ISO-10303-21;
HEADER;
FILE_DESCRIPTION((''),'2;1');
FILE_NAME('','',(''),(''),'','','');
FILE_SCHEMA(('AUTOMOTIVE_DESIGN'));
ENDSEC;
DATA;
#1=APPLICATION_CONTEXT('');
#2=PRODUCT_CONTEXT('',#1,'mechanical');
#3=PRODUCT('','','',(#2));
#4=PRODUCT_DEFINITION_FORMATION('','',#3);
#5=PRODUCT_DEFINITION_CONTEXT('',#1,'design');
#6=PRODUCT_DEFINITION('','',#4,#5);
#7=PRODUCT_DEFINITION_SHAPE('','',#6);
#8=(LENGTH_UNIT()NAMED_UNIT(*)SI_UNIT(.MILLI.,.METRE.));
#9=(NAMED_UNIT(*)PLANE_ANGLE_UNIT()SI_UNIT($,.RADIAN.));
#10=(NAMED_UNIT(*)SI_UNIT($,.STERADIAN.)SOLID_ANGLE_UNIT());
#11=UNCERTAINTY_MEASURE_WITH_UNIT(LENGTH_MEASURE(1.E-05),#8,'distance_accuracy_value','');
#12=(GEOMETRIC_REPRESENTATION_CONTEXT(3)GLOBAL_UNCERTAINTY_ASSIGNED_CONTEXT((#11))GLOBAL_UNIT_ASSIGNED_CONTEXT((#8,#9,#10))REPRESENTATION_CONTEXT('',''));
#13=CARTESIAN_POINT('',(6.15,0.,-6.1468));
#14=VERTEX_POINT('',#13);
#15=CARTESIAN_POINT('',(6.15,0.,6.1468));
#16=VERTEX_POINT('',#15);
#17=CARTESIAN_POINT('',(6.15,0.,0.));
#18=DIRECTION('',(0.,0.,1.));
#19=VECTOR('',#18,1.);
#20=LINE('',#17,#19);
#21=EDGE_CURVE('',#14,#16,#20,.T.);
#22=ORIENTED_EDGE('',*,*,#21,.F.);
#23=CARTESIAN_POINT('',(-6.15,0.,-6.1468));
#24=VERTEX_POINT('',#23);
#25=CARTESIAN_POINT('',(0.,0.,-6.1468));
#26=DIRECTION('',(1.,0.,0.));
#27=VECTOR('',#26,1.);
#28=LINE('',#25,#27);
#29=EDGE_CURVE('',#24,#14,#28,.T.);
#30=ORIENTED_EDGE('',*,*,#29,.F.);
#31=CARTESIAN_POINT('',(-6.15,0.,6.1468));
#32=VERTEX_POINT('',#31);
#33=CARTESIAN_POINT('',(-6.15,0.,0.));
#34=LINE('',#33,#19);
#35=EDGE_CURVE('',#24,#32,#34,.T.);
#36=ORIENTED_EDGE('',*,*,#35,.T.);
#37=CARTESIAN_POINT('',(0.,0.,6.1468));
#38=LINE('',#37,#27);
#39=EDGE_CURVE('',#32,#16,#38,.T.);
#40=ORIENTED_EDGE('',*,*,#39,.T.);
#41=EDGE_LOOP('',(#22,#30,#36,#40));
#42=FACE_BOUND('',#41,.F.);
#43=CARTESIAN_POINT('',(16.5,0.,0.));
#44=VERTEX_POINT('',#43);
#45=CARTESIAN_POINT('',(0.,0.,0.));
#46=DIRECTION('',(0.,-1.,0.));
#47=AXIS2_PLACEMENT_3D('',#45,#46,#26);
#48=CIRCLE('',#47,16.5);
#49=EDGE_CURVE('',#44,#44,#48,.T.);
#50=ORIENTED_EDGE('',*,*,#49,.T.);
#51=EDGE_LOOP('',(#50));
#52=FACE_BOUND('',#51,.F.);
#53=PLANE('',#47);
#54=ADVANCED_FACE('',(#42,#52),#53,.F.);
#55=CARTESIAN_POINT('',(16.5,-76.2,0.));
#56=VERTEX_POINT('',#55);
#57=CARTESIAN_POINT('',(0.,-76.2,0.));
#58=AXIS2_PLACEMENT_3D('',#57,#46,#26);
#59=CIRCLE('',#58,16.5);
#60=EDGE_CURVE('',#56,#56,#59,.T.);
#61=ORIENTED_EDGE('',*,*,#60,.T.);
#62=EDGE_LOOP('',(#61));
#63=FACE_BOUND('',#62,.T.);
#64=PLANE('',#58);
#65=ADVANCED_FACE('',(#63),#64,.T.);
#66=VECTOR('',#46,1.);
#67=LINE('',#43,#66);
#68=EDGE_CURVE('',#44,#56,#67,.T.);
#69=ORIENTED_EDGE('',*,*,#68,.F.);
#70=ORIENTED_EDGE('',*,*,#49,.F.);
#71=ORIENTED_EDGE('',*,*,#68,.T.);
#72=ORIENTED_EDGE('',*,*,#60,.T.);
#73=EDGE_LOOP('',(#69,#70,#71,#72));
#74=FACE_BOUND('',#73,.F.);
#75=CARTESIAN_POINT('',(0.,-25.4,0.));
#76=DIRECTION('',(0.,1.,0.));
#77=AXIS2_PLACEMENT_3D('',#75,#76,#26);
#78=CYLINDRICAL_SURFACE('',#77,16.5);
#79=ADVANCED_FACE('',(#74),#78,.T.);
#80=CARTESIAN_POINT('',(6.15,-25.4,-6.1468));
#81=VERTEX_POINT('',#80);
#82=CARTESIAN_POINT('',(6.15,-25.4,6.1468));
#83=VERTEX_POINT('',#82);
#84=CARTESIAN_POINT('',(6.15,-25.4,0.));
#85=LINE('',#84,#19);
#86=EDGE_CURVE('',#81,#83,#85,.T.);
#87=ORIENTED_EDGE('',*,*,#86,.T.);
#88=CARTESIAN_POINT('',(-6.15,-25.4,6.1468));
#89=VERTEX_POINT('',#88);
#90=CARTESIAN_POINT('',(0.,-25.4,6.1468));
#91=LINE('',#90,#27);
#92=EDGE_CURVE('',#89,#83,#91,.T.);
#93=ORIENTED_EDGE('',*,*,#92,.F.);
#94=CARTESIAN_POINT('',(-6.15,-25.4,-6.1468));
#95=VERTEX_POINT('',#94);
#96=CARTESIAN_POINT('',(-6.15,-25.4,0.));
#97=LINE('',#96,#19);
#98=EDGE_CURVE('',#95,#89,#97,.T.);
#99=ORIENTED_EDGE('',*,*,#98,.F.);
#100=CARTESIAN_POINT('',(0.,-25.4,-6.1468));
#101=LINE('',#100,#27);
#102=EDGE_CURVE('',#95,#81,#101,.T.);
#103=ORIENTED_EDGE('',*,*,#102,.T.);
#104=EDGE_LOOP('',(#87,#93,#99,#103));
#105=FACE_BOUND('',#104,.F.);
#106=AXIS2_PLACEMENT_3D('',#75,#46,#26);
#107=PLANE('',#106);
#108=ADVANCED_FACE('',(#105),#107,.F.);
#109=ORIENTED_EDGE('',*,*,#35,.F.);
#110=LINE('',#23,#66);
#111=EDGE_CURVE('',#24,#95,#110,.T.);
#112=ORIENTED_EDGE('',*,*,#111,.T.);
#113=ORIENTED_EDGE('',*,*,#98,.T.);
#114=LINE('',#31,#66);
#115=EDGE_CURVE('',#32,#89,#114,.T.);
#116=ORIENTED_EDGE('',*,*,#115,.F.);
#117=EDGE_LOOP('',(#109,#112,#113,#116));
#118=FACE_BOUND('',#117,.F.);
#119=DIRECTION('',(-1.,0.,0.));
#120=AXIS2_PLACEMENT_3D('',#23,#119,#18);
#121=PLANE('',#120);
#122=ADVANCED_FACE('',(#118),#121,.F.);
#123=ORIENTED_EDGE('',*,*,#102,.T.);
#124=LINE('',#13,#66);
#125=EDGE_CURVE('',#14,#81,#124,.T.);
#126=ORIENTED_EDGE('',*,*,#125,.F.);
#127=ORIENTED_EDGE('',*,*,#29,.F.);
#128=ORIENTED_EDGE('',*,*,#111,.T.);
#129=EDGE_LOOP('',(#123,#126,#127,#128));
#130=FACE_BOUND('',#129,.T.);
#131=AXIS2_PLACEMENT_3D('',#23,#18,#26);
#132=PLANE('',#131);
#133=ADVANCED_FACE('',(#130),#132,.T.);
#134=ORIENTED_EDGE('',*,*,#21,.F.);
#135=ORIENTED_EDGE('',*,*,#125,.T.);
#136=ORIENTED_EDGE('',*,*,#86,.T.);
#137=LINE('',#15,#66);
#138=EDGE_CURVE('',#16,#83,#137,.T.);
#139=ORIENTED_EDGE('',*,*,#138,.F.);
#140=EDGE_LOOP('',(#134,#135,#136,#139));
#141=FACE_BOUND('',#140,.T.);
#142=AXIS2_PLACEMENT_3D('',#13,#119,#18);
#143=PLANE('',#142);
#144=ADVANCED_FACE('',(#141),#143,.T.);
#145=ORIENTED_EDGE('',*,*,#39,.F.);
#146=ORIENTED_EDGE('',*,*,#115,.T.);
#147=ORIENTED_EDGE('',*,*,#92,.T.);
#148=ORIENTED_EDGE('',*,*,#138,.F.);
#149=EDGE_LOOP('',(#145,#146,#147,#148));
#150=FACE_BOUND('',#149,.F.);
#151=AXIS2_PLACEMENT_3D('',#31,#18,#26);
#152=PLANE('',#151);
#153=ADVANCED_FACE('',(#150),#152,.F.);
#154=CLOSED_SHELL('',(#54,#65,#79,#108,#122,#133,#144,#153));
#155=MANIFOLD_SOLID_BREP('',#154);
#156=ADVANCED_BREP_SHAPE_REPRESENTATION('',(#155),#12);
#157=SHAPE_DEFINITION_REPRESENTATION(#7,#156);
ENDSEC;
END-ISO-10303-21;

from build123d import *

# Parameters (mm, degrees)
F0_R     = 16.5
F0_W     = 12.3
F0_H     = 12.2936
F1_DEPTH = 25.4
F2_R     = 16.5
F3_DEPTH = 50.8


with BuildPart() as f1:
    # F0 (on Front) → F1 (new body)
    with BuildSketch(Plane.XZ):
        Circle(F0_R)
        Rectangle(F0_W, F0_H, mode=Mode.SUBTRACT)
    extrude(amount=F1_DEPTH)

    # F2 (on face) → F3 (join)
    with BuildSketch(Plane.XZ.offset(25.4)):
        Circle(F2_R)
    extrude(amount=F3_DEPTH)


solid = f1.part
